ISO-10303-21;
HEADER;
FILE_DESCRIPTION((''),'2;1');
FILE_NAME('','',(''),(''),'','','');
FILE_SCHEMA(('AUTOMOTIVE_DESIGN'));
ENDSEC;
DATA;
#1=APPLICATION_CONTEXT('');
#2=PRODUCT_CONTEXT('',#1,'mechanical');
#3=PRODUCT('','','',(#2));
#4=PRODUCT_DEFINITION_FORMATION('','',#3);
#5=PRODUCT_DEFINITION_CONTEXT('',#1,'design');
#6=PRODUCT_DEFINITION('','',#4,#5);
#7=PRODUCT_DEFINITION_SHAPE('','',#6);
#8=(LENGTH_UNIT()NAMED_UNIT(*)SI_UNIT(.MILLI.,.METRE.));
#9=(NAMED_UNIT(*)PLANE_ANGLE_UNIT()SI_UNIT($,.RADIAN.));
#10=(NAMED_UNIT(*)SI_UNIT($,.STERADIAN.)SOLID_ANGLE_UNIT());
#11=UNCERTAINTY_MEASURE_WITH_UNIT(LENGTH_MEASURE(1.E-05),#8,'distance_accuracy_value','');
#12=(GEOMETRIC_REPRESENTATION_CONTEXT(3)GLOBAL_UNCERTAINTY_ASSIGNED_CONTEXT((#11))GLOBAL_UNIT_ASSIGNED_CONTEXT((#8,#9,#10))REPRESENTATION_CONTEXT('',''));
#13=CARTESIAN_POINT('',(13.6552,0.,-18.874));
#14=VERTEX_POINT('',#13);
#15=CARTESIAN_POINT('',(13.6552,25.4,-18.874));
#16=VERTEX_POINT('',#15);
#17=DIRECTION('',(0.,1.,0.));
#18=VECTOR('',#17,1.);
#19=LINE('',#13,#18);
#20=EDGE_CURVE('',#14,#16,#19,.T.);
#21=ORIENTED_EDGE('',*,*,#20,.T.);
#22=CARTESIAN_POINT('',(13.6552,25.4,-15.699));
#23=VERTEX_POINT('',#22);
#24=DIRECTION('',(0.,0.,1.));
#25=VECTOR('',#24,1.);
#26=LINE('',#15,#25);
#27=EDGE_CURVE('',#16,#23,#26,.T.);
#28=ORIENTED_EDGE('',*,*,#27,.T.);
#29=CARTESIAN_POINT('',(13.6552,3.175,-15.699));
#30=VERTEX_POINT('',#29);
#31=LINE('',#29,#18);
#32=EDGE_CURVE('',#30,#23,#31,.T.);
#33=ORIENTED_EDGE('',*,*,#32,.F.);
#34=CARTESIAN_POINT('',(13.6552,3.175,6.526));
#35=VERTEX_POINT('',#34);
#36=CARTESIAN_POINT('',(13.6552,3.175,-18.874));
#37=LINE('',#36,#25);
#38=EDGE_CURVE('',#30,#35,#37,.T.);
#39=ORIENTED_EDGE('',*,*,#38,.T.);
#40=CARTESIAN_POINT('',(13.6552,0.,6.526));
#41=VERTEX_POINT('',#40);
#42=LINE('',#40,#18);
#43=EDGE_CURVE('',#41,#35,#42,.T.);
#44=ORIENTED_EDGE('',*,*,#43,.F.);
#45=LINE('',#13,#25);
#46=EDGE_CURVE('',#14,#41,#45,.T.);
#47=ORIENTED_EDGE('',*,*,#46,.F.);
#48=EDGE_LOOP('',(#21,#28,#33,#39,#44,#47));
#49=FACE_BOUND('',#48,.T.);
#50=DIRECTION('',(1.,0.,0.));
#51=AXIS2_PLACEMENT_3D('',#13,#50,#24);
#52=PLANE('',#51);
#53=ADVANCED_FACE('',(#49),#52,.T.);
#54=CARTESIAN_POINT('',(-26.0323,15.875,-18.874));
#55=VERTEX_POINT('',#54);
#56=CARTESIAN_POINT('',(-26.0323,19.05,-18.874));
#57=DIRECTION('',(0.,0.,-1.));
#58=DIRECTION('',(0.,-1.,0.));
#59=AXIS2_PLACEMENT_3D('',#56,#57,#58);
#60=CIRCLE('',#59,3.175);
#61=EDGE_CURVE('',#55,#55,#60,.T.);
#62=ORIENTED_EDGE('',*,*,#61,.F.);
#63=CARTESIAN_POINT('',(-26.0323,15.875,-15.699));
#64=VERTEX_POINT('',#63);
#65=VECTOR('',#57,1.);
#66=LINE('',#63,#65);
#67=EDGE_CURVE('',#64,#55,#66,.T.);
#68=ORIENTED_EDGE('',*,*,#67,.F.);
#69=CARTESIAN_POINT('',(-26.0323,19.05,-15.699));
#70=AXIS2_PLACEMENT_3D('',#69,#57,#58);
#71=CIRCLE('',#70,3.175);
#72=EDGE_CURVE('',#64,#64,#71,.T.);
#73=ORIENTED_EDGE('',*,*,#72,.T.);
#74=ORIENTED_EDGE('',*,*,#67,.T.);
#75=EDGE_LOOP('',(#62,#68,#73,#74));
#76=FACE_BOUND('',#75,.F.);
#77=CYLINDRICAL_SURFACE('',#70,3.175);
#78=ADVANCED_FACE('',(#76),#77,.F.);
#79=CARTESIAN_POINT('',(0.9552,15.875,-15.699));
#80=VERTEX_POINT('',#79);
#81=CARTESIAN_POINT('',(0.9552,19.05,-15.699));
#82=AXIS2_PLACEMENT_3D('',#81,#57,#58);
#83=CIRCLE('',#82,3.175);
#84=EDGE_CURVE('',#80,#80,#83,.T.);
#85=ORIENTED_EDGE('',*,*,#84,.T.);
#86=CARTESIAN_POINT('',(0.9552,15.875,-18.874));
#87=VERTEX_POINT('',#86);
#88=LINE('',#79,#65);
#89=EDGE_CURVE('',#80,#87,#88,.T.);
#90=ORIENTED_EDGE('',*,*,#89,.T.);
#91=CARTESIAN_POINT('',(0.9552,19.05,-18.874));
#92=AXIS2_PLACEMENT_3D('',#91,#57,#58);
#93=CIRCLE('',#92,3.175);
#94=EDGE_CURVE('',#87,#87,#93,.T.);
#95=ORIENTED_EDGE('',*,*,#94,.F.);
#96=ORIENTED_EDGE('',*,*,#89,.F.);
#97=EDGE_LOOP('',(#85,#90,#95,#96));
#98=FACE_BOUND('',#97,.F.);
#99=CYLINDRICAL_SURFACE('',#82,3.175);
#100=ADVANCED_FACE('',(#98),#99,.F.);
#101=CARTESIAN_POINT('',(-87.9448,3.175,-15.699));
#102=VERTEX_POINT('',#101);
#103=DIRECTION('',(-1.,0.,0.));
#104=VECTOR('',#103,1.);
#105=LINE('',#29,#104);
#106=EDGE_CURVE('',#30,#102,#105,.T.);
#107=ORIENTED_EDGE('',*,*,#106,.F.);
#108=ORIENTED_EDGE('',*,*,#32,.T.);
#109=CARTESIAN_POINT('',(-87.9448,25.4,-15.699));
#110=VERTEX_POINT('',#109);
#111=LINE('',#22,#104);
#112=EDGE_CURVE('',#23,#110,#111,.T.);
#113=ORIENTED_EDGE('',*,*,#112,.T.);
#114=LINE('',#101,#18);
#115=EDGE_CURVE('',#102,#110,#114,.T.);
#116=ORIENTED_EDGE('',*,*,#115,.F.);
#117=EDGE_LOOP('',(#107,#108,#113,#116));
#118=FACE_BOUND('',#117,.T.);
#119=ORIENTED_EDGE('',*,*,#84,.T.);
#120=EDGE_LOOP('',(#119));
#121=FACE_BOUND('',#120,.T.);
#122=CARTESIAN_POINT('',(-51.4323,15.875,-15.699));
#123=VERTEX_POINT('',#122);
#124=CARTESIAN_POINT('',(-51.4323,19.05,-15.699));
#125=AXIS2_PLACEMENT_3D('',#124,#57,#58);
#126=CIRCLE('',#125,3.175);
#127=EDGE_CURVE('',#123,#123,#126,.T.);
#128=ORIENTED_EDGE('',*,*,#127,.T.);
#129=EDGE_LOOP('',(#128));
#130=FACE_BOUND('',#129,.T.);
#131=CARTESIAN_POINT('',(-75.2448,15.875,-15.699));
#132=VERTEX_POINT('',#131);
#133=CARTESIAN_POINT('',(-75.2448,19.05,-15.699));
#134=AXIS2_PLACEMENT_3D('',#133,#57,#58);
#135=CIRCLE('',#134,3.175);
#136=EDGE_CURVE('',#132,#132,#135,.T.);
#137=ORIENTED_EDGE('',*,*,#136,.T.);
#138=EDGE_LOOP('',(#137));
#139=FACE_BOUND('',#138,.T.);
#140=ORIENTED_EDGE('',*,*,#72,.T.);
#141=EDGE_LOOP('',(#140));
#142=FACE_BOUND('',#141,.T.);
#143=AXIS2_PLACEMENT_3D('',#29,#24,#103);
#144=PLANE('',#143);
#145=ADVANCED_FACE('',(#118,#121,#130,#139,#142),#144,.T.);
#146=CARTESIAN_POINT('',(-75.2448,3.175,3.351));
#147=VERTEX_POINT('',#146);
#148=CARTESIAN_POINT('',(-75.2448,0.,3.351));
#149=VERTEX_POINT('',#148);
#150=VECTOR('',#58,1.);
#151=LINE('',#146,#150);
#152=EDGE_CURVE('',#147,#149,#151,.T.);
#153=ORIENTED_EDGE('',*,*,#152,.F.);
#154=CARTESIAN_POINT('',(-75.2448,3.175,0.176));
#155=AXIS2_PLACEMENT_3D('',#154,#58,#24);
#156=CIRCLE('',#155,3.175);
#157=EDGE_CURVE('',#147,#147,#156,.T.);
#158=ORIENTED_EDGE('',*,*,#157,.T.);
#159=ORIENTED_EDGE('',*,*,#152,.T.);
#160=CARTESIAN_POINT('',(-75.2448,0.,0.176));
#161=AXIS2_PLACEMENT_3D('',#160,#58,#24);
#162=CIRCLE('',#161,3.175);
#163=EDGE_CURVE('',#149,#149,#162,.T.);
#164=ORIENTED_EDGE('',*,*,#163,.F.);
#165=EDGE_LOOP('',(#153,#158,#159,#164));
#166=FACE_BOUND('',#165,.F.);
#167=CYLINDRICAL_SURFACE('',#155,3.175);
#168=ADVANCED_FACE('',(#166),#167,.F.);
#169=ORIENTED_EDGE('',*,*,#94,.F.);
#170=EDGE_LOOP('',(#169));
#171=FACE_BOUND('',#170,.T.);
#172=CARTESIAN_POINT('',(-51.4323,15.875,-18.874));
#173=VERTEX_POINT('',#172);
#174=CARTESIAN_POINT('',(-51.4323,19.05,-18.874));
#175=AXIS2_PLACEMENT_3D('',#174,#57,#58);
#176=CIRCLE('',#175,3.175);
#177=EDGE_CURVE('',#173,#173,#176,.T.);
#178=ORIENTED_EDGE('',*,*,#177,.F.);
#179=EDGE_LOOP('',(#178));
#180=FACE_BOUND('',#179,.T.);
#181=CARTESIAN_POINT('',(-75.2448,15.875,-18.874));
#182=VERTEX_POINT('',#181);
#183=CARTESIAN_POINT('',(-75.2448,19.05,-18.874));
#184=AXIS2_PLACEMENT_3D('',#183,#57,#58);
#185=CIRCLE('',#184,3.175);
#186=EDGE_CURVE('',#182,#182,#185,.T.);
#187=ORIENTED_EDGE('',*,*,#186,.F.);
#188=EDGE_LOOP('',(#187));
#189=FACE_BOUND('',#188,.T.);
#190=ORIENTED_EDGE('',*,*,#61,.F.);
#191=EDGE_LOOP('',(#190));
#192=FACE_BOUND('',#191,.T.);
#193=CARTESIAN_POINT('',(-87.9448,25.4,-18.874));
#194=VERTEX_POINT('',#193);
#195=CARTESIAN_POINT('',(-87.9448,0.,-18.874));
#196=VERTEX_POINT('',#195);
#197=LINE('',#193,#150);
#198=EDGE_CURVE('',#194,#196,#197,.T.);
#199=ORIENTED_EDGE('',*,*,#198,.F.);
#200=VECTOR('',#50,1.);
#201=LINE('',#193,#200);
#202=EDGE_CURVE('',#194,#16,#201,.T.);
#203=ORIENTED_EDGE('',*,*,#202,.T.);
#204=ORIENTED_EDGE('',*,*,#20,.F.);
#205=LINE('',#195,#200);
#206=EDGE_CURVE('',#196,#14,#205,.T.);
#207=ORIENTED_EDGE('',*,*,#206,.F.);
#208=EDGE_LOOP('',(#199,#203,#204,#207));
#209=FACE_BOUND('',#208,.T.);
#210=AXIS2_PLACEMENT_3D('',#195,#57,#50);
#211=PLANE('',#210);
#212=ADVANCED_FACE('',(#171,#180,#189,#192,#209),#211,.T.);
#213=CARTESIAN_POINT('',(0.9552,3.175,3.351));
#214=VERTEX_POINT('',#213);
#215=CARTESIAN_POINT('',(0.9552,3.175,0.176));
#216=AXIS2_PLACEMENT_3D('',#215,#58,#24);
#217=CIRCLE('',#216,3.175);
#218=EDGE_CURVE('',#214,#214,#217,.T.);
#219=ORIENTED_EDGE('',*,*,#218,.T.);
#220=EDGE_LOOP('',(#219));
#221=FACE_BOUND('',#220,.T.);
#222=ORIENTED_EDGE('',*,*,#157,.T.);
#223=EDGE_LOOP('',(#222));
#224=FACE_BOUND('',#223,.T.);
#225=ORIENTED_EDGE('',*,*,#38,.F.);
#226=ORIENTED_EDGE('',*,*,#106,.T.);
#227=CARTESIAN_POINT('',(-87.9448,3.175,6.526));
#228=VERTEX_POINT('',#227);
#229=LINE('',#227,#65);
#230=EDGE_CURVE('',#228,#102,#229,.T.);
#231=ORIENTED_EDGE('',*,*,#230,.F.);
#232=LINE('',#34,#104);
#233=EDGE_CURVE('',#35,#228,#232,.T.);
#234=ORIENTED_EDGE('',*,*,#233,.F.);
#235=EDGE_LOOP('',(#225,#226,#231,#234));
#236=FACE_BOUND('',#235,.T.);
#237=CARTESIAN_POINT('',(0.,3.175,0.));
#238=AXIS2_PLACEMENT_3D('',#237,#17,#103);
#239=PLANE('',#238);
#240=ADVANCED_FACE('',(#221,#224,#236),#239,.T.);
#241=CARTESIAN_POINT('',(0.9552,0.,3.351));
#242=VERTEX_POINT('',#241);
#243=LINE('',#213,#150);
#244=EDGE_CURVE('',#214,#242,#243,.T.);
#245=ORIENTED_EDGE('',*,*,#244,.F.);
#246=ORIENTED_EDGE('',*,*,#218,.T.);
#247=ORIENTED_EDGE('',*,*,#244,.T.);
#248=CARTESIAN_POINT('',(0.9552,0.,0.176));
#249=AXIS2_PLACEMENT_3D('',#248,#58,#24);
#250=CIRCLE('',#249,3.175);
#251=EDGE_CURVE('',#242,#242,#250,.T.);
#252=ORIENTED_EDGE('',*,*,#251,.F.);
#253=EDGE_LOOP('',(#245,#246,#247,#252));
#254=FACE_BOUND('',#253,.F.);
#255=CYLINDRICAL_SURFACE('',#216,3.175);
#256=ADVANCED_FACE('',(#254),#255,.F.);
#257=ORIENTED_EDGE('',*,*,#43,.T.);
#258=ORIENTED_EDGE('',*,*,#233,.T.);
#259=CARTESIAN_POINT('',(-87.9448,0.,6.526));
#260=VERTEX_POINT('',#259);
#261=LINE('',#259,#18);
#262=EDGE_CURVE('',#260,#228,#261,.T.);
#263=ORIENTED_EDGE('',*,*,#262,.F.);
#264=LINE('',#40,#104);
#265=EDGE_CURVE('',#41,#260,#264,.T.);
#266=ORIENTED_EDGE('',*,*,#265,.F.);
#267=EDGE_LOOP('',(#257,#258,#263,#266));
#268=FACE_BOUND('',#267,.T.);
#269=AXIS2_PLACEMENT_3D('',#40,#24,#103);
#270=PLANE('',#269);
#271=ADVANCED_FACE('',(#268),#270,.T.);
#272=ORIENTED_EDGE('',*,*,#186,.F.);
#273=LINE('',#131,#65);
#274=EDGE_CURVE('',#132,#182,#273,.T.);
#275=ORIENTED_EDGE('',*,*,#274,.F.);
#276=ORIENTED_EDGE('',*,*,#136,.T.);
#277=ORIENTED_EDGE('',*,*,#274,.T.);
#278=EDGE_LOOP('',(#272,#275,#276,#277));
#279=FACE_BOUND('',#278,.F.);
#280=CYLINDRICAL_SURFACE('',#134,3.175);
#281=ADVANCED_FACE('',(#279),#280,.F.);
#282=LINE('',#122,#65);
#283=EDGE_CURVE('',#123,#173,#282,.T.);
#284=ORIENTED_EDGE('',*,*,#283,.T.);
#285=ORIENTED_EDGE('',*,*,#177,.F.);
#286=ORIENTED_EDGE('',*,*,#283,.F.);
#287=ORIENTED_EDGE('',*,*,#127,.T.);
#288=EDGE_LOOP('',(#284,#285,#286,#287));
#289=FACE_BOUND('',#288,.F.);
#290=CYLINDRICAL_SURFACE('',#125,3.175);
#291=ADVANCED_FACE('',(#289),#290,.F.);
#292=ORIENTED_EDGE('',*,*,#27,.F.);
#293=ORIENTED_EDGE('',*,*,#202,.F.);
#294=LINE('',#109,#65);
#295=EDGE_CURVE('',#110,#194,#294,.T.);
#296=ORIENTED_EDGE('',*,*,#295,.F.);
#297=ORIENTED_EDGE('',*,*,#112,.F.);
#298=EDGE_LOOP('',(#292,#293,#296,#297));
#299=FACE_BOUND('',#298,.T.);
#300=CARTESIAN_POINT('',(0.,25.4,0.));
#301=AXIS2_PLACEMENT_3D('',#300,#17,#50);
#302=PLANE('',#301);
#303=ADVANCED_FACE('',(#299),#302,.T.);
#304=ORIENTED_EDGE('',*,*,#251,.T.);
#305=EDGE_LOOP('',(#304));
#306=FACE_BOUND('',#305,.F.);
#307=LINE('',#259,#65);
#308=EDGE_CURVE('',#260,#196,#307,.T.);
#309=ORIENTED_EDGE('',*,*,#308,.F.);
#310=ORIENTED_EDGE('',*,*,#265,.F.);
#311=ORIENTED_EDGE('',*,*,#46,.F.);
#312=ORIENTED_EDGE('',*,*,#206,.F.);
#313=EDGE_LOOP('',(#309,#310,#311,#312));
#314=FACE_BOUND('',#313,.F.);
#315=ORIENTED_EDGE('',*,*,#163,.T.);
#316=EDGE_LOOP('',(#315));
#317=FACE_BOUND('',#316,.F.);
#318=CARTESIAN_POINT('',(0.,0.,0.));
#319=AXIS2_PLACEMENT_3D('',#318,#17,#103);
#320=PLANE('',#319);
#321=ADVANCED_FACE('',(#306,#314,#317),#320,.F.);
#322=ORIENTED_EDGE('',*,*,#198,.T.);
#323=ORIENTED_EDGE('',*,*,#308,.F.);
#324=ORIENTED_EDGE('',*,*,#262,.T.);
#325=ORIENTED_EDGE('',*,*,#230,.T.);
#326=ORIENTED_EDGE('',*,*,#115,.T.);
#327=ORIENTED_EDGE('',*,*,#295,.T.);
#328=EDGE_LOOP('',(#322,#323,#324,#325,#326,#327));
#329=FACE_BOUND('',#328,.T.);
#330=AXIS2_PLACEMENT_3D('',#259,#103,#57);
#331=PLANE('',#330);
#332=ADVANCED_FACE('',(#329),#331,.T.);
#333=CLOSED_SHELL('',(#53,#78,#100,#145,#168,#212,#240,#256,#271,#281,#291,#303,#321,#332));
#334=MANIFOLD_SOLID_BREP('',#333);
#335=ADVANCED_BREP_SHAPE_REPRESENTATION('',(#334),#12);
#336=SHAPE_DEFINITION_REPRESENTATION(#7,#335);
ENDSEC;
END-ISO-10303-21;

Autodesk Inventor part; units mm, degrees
ref_plane "YZ Plane" through (0, 0, 0) normal (1, 0, 0) x (0, 1, 0)
ref_plane "XZ Plane" through (0, 0, 0) normal (0, 1, 0) x (-1, 0, 0)
ref_plane "XY Plane" through (0, 0, 0) normal (0, 0, 1) x (1, 0, 0)
sketch "Sketch1" plane through (0, 0, 0) normal (0, 1, 0) x (-1, 0, 0)
  line L0 (-13.6552, 6.526) -> (87.9448, 6.526)
  line L1 (87.9448, 6.526) -> (87.9448, -18.874)
  line L2 (87.9448, -18.874) -> (-13.6552, -18.874)
  line L3 (-13.6552, -18.874) -> (-13.6552, 6.526)
  dimension "d0" = 101.6
  dimension "d1" = 25.4
extrude "Extrusion1" add sketch "Sketch1" along normal blind 3.175
sketch "Sketch2" plane through (0, 3.175, 0) normal (0, 1, 0) x (1, 0, 0)
  line L0 (-87.9448, 18.874) -> (13.6552, 18.874)
  line L1 (13.6552, 18.874) -> (13.6552, 15.699)
  line L2 (13.6552, 15.699) -> (-87.9448, 15.699)
  line L3 (-87.9448, 15.699) -> (-87.9448, 18.874)
  dimension "d4" = 101.6
  dimension "d5" = 3.175
extrude "Extrusion2" add sketch "Sketch2" along normal blind 22.225
sketch "Sketch3" plane through (0, 3.175, 0) normal (0, 1, 0) x (1, 0, 0)
  line L0 (-87.9448, 15.699) -> (-87.9448, -6.526) projected
  line L1 (-87.9448, -6.526) -> (13.6552, -6.526) projected
  line L2 (13.6552, -6.526) -> (13.6552, 15.699) projected
  point P0 (-75.2448, -0.176)
  point P1 (0.9552, -0.176)
  dimension "d8" = 12.7
  dimension "d9" = 12.7
  dimension "d10" = 6.35
hole "Hole1" at (-75.2448, 3.175, 0.176) at (0.9552, 3.175, 0.176) direction (0, -1, 0) diameter 6.35 end through all
sketch "Sketch4" plane through (-87.9448, 3.175, -15.699) normal (0, 0, 1) x (1, 0, 0)
  line L0 (0, 22.225) -> (101.6, 22.225) projected
  line L1 (101.6, 0) -> (101.6, 22.225) projected
  line L2 (0, 0) -> (0, 22.225) projected
  point P0 (12.7, 15.875)
  point P1 (88.9, 15.875)
  point P2 (61.9125, 15.875)
  point P3 (36.5125, 15.875)
  dimension "d18" = 6.35
  dimension "d26" = 39.6875
  dimension "d27" = 36.5125
hole "Hole2" at (-75.2448, 19.05, -15.699) at (0.9552, 19.05, -15.699) at (-51.4323, 19.05, -15.699) at (-26.0323, 19.05, -15.699) direction (0, 0, -1) diameter 6.35 end through all
properties part number "Connection to frame"
